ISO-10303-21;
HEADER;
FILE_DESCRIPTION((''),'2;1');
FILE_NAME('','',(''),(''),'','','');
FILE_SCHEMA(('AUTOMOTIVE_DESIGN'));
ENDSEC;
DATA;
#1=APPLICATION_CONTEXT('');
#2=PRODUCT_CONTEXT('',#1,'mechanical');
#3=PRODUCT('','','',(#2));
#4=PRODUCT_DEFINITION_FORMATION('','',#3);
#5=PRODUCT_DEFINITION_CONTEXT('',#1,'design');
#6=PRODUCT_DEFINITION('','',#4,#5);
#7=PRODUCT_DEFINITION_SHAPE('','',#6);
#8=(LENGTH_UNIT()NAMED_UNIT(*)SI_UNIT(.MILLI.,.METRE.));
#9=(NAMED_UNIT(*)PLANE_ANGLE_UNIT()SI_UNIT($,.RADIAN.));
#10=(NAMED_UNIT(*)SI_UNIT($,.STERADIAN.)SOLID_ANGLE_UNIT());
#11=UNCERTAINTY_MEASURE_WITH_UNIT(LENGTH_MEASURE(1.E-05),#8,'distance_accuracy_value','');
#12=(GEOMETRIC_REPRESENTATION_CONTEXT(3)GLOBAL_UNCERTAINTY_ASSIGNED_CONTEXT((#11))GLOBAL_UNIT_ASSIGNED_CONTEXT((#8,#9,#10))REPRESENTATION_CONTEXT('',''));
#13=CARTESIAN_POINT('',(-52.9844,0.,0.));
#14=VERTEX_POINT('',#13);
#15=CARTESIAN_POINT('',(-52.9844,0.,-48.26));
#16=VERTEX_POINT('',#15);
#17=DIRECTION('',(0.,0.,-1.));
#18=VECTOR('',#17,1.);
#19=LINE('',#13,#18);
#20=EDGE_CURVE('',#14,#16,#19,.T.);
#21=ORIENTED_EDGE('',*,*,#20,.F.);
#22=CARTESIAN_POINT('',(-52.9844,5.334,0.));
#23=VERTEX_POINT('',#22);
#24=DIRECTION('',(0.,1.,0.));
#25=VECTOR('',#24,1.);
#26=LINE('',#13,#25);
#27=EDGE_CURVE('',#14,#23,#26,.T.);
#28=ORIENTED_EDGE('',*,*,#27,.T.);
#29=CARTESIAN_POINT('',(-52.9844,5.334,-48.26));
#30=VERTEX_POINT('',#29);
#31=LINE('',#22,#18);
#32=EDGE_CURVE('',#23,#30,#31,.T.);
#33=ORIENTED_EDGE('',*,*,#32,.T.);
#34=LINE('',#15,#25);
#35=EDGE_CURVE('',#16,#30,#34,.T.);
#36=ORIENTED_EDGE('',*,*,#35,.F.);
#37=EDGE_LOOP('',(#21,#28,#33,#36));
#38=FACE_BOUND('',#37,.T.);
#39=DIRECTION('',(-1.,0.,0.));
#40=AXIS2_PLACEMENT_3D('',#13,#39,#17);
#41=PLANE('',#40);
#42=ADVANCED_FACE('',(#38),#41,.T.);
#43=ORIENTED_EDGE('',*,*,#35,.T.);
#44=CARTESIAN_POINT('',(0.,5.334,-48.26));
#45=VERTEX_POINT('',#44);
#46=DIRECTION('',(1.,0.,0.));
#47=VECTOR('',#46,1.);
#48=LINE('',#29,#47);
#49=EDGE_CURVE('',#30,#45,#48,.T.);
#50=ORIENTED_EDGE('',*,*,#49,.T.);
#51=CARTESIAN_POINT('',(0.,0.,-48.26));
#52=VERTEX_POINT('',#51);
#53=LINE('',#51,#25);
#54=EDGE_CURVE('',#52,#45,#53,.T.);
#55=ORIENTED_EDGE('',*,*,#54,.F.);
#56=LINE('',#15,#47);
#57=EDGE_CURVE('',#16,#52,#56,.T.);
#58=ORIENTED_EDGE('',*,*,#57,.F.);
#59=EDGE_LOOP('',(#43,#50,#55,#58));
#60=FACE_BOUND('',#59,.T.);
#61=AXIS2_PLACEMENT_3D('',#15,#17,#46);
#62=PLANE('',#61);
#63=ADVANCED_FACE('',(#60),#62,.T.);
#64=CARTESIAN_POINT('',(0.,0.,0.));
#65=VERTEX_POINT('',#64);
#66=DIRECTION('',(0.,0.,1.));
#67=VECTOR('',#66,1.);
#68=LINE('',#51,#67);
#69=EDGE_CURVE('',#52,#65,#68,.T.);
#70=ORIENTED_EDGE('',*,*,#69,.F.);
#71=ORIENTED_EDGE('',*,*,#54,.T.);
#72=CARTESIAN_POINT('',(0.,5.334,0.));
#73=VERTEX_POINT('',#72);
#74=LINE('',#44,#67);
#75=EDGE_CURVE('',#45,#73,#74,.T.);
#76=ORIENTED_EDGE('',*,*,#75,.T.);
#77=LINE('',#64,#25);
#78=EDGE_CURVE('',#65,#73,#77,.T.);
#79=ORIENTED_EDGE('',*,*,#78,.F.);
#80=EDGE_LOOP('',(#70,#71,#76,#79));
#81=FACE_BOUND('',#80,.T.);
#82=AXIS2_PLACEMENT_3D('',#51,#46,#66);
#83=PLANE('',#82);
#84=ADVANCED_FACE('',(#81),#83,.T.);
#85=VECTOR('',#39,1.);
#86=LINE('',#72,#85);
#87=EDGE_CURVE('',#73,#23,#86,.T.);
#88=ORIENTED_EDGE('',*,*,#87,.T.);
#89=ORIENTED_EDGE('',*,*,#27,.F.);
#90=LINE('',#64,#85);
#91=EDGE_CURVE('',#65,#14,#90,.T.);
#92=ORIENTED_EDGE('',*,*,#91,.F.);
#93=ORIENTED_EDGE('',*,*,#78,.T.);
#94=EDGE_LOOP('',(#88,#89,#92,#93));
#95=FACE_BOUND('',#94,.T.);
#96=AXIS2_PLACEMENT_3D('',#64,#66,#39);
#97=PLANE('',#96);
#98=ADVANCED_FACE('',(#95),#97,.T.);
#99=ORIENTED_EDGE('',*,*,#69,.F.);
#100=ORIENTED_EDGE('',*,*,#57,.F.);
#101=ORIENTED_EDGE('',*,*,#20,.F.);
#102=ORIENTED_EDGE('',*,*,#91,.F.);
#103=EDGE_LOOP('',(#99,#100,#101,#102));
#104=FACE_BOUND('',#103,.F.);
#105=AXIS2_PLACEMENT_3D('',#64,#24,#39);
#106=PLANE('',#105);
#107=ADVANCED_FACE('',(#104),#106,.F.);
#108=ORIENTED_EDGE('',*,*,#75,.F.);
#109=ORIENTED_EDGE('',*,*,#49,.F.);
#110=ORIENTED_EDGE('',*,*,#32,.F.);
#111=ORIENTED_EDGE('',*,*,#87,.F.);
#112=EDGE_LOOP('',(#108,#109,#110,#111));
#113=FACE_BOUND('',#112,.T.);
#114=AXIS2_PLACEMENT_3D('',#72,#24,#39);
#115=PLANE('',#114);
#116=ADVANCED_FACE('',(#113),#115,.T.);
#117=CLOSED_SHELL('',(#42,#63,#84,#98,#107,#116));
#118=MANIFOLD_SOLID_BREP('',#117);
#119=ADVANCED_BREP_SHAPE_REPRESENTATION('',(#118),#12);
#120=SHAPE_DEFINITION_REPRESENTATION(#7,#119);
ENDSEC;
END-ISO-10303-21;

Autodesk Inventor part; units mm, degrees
ref_plane "YZ Plane" through (0, 0, 0) normal (1, 0, 0) x (0, 1, 0)
ref_plane "XZ Plane" through (0, 0, 0) normal (0, 1, 0) x (-1, 0, 0)
ref_plane "XY Plane" through (0, 0, 0) normal (0, 0, 1) x (1, 0, 0)
sketch "Sketch1" plane through (0, 0, 0) normal (0, 1, 0) x (-1, 0, 0)
  line L0 (0, 0) -> (52.9844, 0)
  line L1 (52.9844, 0) -> (52.9844, -48.26)
  line L2 (52.9844, -48.26) -> (0, -48.26)
  line L3 (0, -48.26) -> (0, 0)
  dimension "d0" = 52.9844
  dimension "d1" = 48.26
extrude "Extrusion1" add sketch "Sketch1" along normal blind 5.334
properties part number "LED_Board"
